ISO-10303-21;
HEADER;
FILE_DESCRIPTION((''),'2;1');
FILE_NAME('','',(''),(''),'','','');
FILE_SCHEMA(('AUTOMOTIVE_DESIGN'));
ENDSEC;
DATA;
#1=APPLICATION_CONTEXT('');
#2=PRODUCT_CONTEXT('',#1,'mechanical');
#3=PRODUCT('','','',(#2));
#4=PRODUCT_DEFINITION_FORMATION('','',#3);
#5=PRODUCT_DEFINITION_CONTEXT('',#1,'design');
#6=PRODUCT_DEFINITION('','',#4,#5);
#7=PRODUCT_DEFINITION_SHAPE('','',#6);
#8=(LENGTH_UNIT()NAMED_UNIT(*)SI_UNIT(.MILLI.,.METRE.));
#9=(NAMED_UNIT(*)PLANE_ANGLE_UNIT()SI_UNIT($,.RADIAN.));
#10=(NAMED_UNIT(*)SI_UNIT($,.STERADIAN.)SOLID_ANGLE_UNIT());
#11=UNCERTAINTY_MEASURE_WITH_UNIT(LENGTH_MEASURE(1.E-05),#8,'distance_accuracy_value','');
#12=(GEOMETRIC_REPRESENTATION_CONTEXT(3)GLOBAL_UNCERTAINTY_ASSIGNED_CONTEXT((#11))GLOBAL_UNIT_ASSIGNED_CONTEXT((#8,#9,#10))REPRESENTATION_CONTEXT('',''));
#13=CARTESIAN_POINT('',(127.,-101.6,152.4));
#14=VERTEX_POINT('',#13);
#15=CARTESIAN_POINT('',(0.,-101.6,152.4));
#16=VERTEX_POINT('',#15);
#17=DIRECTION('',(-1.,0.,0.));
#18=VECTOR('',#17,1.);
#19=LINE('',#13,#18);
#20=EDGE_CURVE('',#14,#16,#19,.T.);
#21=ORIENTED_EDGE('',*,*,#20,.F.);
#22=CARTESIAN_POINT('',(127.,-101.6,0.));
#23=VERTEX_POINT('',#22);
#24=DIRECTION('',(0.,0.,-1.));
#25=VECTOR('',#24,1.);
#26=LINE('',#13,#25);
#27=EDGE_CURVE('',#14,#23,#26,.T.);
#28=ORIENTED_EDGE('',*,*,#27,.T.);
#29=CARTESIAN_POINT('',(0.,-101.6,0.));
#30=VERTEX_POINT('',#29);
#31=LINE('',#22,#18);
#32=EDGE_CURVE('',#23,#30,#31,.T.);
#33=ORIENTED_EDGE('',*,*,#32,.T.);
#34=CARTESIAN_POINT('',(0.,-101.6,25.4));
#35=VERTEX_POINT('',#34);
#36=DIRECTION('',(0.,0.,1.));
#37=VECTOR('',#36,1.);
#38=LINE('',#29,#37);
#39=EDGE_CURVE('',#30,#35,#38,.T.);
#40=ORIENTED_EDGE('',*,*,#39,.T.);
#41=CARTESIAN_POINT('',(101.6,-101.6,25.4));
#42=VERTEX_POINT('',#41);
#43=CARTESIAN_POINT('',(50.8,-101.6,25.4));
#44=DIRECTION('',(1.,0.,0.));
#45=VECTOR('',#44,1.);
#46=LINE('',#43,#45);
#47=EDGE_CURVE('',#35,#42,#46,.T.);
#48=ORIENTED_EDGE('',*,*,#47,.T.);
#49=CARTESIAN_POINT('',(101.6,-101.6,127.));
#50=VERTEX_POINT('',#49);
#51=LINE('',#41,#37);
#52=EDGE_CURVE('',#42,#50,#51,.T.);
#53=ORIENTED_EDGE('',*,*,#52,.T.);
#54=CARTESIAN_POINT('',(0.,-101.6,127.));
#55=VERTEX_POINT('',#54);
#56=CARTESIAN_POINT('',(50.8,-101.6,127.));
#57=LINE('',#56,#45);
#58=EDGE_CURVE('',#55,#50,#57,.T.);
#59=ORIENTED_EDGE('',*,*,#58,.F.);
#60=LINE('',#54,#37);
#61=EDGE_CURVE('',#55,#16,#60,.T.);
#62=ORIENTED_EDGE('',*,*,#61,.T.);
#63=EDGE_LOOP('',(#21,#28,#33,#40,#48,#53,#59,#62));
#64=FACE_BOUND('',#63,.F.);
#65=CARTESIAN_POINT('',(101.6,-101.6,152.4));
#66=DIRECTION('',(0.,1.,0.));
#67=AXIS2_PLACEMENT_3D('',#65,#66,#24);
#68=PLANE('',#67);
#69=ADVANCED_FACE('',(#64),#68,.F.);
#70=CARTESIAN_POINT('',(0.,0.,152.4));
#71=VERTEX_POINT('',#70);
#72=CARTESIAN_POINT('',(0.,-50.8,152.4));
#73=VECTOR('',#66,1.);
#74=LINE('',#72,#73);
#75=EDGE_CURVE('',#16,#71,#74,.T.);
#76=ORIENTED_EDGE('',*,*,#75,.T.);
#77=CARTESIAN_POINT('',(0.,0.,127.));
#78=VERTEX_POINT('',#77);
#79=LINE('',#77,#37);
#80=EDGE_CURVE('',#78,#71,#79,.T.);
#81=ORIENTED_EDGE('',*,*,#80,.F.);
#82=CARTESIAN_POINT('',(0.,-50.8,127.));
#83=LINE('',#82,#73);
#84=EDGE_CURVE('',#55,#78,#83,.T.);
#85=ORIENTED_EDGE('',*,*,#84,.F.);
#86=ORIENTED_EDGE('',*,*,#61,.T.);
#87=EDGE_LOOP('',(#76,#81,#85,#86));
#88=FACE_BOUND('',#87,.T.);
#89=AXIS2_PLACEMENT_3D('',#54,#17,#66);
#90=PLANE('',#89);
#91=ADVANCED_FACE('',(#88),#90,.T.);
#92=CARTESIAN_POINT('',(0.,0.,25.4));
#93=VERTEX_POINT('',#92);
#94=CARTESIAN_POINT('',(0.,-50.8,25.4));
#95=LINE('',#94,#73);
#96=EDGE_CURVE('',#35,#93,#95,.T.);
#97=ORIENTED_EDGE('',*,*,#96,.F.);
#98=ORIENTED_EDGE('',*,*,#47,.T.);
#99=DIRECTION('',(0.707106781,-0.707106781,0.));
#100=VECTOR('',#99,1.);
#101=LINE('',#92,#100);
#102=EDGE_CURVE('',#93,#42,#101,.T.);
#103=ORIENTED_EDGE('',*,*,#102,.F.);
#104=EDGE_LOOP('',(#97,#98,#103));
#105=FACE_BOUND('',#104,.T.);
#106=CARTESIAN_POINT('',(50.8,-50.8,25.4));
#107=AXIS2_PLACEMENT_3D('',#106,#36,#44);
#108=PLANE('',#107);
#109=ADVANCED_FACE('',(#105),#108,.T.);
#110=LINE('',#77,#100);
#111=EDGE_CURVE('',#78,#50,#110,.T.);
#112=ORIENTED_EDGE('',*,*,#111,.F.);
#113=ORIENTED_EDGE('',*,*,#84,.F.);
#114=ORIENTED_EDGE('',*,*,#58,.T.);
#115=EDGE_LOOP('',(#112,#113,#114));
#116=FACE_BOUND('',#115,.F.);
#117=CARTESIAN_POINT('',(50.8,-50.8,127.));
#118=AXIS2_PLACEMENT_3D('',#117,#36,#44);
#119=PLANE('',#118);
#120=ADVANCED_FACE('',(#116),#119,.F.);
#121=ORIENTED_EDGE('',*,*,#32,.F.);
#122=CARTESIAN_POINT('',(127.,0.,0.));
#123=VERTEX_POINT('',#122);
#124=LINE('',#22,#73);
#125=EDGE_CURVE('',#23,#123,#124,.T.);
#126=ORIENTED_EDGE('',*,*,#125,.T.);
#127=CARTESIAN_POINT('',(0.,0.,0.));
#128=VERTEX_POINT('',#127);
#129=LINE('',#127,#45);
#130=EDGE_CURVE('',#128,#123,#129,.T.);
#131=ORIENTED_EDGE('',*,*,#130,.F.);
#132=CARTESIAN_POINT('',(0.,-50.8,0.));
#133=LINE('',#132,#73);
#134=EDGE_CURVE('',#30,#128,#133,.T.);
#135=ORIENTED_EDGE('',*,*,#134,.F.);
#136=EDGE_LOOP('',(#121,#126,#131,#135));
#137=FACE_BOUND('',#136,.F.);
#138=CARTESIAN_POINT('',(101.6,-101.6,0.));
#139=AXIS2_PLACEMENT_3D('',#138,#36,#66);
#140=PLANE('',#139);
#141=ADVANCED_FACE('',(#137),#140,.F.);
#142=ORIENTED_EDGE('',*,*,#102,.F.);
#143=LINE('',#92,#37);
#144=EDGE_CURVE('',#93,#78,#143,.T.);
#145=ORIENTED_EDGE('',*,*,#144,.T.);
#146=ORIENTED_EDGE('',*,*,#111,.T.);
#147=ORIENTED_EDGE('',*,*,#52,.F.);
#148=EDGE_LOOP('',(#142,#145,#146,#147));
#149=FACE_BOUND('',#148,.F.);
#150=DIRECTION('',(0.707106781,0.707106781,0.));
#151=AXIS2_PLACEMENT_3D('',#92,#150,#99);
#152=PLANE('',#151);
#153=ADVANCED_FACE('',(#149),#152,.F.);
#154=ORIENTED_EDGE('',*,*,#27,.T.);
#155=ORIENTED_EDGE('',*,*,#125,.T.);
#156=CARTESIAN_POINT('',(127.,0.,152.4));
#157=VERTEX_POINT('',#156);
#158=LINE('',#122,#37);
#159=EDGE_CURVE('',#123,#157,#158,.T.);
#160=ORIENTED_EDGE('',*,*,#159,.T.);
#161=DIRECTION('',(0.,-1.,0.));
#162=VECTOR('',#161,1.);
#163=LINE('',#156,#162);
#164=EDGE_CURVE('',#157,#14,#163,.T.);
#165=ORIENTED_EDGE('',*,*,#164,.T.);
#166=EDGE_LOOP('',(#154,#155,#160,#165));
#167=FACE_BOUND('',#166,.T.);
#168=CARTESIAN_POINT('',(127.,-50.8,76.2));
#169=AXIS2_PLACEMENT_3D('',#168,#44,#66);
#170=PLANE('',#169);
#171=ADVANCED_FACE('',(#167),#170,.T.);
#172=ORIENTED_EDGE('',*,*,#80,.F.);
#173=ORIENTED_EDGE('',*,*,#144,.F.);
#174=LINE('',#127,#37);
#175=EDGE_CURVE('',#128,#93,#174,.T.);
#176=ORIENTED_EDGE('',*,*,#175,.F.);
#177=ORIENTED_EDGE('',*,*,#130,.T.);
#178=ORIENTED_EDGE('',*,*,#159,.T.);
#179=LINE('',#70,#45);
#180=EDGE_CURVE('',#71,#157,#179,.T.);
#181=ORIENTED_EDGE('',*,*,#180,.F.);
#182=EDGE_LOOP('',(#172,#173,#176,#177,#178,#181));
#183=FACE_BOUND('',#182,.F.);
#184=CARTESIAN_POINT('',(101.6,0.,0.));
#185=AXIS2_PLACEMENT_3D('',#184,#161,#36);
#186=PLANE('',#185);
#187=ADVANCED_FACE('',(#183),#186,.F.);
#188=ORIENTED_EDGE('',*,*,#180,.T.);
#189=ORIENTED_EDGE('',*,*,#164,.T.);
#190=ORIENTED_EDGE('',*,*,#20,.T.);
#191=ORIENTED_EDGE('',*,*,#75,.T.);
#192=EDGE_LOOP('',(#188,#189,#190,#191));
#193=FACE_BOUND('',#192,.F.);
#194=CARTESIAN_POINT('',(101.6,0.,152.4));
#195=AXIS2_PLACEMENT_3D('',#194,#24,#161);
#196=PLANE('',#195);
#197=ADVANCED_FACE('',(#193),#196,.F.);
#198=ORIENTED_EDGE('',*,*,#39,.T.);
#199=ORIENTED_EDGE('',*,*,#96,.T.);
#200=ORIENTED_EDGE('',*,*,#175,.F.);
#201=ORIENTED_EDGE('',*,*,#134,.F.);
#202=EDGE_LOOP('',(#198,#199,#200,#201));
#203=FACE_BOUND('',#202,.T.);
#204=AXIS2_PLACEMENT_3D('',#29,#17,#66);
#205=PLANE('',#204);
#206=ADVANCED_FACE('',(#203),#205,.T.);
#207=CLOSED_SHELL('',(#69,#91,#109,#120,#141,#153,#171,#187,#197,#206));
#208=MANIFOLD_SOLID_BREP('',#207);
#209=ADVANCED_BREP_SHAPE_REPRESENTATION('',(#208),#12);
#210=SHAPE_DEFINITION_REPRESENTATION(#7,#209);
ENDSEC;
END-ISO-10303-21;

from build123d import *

# Parameters (mm, degrees)
F0_W     = 101.6
F0_H     = 101.6
F1_DEPTH = 25.4
F3_DEPTH = 101.6
F4_W     = 101.6
F4_H     = 101.6
F5_DEPTH = 25.4
F6_DEPTH = 25.4


with BuildPart() as f1:
    # F0 (on Top) → F1 (new body)
    with BuildSketch(Plane.XY):
        with Locations((50.8, -50.8)):
            Rectangle(F0_W, F0_H)
    extrude(amount=F1_DEPTH)

    # F2 (on face) → F3 (join)
    with BuildSketch(Plane.XY.offset(25.4)):
        Polygon((101.6, 0), (0, 0), (101.6, -101.6), align=None)
    extrude(amount=F3_DEPTH)

    # F4 (on face) → F5 (join)
    with BuildSketch(Plane.XY.offset(127)):
        with Locations((50.8, -50.8)):
            Rectangle(F4_W, F4_H)
    extrude(amount=F5_DEPTH)

    # F5_face (on face) → F6 (join)
    with BuildSketch(Plane(origin=(101.6, -50.8, 76.2), x_dir=(0, 1, 0), z_dir=(1, 0, 0))):
        Polygon((-50.8, -50.8), (-50.8, -76.2), (50.8, -76.2), (50.8, 76.2), (-50.8, 76.2), (-50.8, 50.8), align=None)
    extrude(amount=F6_DEPTH)


solid = f1.part
